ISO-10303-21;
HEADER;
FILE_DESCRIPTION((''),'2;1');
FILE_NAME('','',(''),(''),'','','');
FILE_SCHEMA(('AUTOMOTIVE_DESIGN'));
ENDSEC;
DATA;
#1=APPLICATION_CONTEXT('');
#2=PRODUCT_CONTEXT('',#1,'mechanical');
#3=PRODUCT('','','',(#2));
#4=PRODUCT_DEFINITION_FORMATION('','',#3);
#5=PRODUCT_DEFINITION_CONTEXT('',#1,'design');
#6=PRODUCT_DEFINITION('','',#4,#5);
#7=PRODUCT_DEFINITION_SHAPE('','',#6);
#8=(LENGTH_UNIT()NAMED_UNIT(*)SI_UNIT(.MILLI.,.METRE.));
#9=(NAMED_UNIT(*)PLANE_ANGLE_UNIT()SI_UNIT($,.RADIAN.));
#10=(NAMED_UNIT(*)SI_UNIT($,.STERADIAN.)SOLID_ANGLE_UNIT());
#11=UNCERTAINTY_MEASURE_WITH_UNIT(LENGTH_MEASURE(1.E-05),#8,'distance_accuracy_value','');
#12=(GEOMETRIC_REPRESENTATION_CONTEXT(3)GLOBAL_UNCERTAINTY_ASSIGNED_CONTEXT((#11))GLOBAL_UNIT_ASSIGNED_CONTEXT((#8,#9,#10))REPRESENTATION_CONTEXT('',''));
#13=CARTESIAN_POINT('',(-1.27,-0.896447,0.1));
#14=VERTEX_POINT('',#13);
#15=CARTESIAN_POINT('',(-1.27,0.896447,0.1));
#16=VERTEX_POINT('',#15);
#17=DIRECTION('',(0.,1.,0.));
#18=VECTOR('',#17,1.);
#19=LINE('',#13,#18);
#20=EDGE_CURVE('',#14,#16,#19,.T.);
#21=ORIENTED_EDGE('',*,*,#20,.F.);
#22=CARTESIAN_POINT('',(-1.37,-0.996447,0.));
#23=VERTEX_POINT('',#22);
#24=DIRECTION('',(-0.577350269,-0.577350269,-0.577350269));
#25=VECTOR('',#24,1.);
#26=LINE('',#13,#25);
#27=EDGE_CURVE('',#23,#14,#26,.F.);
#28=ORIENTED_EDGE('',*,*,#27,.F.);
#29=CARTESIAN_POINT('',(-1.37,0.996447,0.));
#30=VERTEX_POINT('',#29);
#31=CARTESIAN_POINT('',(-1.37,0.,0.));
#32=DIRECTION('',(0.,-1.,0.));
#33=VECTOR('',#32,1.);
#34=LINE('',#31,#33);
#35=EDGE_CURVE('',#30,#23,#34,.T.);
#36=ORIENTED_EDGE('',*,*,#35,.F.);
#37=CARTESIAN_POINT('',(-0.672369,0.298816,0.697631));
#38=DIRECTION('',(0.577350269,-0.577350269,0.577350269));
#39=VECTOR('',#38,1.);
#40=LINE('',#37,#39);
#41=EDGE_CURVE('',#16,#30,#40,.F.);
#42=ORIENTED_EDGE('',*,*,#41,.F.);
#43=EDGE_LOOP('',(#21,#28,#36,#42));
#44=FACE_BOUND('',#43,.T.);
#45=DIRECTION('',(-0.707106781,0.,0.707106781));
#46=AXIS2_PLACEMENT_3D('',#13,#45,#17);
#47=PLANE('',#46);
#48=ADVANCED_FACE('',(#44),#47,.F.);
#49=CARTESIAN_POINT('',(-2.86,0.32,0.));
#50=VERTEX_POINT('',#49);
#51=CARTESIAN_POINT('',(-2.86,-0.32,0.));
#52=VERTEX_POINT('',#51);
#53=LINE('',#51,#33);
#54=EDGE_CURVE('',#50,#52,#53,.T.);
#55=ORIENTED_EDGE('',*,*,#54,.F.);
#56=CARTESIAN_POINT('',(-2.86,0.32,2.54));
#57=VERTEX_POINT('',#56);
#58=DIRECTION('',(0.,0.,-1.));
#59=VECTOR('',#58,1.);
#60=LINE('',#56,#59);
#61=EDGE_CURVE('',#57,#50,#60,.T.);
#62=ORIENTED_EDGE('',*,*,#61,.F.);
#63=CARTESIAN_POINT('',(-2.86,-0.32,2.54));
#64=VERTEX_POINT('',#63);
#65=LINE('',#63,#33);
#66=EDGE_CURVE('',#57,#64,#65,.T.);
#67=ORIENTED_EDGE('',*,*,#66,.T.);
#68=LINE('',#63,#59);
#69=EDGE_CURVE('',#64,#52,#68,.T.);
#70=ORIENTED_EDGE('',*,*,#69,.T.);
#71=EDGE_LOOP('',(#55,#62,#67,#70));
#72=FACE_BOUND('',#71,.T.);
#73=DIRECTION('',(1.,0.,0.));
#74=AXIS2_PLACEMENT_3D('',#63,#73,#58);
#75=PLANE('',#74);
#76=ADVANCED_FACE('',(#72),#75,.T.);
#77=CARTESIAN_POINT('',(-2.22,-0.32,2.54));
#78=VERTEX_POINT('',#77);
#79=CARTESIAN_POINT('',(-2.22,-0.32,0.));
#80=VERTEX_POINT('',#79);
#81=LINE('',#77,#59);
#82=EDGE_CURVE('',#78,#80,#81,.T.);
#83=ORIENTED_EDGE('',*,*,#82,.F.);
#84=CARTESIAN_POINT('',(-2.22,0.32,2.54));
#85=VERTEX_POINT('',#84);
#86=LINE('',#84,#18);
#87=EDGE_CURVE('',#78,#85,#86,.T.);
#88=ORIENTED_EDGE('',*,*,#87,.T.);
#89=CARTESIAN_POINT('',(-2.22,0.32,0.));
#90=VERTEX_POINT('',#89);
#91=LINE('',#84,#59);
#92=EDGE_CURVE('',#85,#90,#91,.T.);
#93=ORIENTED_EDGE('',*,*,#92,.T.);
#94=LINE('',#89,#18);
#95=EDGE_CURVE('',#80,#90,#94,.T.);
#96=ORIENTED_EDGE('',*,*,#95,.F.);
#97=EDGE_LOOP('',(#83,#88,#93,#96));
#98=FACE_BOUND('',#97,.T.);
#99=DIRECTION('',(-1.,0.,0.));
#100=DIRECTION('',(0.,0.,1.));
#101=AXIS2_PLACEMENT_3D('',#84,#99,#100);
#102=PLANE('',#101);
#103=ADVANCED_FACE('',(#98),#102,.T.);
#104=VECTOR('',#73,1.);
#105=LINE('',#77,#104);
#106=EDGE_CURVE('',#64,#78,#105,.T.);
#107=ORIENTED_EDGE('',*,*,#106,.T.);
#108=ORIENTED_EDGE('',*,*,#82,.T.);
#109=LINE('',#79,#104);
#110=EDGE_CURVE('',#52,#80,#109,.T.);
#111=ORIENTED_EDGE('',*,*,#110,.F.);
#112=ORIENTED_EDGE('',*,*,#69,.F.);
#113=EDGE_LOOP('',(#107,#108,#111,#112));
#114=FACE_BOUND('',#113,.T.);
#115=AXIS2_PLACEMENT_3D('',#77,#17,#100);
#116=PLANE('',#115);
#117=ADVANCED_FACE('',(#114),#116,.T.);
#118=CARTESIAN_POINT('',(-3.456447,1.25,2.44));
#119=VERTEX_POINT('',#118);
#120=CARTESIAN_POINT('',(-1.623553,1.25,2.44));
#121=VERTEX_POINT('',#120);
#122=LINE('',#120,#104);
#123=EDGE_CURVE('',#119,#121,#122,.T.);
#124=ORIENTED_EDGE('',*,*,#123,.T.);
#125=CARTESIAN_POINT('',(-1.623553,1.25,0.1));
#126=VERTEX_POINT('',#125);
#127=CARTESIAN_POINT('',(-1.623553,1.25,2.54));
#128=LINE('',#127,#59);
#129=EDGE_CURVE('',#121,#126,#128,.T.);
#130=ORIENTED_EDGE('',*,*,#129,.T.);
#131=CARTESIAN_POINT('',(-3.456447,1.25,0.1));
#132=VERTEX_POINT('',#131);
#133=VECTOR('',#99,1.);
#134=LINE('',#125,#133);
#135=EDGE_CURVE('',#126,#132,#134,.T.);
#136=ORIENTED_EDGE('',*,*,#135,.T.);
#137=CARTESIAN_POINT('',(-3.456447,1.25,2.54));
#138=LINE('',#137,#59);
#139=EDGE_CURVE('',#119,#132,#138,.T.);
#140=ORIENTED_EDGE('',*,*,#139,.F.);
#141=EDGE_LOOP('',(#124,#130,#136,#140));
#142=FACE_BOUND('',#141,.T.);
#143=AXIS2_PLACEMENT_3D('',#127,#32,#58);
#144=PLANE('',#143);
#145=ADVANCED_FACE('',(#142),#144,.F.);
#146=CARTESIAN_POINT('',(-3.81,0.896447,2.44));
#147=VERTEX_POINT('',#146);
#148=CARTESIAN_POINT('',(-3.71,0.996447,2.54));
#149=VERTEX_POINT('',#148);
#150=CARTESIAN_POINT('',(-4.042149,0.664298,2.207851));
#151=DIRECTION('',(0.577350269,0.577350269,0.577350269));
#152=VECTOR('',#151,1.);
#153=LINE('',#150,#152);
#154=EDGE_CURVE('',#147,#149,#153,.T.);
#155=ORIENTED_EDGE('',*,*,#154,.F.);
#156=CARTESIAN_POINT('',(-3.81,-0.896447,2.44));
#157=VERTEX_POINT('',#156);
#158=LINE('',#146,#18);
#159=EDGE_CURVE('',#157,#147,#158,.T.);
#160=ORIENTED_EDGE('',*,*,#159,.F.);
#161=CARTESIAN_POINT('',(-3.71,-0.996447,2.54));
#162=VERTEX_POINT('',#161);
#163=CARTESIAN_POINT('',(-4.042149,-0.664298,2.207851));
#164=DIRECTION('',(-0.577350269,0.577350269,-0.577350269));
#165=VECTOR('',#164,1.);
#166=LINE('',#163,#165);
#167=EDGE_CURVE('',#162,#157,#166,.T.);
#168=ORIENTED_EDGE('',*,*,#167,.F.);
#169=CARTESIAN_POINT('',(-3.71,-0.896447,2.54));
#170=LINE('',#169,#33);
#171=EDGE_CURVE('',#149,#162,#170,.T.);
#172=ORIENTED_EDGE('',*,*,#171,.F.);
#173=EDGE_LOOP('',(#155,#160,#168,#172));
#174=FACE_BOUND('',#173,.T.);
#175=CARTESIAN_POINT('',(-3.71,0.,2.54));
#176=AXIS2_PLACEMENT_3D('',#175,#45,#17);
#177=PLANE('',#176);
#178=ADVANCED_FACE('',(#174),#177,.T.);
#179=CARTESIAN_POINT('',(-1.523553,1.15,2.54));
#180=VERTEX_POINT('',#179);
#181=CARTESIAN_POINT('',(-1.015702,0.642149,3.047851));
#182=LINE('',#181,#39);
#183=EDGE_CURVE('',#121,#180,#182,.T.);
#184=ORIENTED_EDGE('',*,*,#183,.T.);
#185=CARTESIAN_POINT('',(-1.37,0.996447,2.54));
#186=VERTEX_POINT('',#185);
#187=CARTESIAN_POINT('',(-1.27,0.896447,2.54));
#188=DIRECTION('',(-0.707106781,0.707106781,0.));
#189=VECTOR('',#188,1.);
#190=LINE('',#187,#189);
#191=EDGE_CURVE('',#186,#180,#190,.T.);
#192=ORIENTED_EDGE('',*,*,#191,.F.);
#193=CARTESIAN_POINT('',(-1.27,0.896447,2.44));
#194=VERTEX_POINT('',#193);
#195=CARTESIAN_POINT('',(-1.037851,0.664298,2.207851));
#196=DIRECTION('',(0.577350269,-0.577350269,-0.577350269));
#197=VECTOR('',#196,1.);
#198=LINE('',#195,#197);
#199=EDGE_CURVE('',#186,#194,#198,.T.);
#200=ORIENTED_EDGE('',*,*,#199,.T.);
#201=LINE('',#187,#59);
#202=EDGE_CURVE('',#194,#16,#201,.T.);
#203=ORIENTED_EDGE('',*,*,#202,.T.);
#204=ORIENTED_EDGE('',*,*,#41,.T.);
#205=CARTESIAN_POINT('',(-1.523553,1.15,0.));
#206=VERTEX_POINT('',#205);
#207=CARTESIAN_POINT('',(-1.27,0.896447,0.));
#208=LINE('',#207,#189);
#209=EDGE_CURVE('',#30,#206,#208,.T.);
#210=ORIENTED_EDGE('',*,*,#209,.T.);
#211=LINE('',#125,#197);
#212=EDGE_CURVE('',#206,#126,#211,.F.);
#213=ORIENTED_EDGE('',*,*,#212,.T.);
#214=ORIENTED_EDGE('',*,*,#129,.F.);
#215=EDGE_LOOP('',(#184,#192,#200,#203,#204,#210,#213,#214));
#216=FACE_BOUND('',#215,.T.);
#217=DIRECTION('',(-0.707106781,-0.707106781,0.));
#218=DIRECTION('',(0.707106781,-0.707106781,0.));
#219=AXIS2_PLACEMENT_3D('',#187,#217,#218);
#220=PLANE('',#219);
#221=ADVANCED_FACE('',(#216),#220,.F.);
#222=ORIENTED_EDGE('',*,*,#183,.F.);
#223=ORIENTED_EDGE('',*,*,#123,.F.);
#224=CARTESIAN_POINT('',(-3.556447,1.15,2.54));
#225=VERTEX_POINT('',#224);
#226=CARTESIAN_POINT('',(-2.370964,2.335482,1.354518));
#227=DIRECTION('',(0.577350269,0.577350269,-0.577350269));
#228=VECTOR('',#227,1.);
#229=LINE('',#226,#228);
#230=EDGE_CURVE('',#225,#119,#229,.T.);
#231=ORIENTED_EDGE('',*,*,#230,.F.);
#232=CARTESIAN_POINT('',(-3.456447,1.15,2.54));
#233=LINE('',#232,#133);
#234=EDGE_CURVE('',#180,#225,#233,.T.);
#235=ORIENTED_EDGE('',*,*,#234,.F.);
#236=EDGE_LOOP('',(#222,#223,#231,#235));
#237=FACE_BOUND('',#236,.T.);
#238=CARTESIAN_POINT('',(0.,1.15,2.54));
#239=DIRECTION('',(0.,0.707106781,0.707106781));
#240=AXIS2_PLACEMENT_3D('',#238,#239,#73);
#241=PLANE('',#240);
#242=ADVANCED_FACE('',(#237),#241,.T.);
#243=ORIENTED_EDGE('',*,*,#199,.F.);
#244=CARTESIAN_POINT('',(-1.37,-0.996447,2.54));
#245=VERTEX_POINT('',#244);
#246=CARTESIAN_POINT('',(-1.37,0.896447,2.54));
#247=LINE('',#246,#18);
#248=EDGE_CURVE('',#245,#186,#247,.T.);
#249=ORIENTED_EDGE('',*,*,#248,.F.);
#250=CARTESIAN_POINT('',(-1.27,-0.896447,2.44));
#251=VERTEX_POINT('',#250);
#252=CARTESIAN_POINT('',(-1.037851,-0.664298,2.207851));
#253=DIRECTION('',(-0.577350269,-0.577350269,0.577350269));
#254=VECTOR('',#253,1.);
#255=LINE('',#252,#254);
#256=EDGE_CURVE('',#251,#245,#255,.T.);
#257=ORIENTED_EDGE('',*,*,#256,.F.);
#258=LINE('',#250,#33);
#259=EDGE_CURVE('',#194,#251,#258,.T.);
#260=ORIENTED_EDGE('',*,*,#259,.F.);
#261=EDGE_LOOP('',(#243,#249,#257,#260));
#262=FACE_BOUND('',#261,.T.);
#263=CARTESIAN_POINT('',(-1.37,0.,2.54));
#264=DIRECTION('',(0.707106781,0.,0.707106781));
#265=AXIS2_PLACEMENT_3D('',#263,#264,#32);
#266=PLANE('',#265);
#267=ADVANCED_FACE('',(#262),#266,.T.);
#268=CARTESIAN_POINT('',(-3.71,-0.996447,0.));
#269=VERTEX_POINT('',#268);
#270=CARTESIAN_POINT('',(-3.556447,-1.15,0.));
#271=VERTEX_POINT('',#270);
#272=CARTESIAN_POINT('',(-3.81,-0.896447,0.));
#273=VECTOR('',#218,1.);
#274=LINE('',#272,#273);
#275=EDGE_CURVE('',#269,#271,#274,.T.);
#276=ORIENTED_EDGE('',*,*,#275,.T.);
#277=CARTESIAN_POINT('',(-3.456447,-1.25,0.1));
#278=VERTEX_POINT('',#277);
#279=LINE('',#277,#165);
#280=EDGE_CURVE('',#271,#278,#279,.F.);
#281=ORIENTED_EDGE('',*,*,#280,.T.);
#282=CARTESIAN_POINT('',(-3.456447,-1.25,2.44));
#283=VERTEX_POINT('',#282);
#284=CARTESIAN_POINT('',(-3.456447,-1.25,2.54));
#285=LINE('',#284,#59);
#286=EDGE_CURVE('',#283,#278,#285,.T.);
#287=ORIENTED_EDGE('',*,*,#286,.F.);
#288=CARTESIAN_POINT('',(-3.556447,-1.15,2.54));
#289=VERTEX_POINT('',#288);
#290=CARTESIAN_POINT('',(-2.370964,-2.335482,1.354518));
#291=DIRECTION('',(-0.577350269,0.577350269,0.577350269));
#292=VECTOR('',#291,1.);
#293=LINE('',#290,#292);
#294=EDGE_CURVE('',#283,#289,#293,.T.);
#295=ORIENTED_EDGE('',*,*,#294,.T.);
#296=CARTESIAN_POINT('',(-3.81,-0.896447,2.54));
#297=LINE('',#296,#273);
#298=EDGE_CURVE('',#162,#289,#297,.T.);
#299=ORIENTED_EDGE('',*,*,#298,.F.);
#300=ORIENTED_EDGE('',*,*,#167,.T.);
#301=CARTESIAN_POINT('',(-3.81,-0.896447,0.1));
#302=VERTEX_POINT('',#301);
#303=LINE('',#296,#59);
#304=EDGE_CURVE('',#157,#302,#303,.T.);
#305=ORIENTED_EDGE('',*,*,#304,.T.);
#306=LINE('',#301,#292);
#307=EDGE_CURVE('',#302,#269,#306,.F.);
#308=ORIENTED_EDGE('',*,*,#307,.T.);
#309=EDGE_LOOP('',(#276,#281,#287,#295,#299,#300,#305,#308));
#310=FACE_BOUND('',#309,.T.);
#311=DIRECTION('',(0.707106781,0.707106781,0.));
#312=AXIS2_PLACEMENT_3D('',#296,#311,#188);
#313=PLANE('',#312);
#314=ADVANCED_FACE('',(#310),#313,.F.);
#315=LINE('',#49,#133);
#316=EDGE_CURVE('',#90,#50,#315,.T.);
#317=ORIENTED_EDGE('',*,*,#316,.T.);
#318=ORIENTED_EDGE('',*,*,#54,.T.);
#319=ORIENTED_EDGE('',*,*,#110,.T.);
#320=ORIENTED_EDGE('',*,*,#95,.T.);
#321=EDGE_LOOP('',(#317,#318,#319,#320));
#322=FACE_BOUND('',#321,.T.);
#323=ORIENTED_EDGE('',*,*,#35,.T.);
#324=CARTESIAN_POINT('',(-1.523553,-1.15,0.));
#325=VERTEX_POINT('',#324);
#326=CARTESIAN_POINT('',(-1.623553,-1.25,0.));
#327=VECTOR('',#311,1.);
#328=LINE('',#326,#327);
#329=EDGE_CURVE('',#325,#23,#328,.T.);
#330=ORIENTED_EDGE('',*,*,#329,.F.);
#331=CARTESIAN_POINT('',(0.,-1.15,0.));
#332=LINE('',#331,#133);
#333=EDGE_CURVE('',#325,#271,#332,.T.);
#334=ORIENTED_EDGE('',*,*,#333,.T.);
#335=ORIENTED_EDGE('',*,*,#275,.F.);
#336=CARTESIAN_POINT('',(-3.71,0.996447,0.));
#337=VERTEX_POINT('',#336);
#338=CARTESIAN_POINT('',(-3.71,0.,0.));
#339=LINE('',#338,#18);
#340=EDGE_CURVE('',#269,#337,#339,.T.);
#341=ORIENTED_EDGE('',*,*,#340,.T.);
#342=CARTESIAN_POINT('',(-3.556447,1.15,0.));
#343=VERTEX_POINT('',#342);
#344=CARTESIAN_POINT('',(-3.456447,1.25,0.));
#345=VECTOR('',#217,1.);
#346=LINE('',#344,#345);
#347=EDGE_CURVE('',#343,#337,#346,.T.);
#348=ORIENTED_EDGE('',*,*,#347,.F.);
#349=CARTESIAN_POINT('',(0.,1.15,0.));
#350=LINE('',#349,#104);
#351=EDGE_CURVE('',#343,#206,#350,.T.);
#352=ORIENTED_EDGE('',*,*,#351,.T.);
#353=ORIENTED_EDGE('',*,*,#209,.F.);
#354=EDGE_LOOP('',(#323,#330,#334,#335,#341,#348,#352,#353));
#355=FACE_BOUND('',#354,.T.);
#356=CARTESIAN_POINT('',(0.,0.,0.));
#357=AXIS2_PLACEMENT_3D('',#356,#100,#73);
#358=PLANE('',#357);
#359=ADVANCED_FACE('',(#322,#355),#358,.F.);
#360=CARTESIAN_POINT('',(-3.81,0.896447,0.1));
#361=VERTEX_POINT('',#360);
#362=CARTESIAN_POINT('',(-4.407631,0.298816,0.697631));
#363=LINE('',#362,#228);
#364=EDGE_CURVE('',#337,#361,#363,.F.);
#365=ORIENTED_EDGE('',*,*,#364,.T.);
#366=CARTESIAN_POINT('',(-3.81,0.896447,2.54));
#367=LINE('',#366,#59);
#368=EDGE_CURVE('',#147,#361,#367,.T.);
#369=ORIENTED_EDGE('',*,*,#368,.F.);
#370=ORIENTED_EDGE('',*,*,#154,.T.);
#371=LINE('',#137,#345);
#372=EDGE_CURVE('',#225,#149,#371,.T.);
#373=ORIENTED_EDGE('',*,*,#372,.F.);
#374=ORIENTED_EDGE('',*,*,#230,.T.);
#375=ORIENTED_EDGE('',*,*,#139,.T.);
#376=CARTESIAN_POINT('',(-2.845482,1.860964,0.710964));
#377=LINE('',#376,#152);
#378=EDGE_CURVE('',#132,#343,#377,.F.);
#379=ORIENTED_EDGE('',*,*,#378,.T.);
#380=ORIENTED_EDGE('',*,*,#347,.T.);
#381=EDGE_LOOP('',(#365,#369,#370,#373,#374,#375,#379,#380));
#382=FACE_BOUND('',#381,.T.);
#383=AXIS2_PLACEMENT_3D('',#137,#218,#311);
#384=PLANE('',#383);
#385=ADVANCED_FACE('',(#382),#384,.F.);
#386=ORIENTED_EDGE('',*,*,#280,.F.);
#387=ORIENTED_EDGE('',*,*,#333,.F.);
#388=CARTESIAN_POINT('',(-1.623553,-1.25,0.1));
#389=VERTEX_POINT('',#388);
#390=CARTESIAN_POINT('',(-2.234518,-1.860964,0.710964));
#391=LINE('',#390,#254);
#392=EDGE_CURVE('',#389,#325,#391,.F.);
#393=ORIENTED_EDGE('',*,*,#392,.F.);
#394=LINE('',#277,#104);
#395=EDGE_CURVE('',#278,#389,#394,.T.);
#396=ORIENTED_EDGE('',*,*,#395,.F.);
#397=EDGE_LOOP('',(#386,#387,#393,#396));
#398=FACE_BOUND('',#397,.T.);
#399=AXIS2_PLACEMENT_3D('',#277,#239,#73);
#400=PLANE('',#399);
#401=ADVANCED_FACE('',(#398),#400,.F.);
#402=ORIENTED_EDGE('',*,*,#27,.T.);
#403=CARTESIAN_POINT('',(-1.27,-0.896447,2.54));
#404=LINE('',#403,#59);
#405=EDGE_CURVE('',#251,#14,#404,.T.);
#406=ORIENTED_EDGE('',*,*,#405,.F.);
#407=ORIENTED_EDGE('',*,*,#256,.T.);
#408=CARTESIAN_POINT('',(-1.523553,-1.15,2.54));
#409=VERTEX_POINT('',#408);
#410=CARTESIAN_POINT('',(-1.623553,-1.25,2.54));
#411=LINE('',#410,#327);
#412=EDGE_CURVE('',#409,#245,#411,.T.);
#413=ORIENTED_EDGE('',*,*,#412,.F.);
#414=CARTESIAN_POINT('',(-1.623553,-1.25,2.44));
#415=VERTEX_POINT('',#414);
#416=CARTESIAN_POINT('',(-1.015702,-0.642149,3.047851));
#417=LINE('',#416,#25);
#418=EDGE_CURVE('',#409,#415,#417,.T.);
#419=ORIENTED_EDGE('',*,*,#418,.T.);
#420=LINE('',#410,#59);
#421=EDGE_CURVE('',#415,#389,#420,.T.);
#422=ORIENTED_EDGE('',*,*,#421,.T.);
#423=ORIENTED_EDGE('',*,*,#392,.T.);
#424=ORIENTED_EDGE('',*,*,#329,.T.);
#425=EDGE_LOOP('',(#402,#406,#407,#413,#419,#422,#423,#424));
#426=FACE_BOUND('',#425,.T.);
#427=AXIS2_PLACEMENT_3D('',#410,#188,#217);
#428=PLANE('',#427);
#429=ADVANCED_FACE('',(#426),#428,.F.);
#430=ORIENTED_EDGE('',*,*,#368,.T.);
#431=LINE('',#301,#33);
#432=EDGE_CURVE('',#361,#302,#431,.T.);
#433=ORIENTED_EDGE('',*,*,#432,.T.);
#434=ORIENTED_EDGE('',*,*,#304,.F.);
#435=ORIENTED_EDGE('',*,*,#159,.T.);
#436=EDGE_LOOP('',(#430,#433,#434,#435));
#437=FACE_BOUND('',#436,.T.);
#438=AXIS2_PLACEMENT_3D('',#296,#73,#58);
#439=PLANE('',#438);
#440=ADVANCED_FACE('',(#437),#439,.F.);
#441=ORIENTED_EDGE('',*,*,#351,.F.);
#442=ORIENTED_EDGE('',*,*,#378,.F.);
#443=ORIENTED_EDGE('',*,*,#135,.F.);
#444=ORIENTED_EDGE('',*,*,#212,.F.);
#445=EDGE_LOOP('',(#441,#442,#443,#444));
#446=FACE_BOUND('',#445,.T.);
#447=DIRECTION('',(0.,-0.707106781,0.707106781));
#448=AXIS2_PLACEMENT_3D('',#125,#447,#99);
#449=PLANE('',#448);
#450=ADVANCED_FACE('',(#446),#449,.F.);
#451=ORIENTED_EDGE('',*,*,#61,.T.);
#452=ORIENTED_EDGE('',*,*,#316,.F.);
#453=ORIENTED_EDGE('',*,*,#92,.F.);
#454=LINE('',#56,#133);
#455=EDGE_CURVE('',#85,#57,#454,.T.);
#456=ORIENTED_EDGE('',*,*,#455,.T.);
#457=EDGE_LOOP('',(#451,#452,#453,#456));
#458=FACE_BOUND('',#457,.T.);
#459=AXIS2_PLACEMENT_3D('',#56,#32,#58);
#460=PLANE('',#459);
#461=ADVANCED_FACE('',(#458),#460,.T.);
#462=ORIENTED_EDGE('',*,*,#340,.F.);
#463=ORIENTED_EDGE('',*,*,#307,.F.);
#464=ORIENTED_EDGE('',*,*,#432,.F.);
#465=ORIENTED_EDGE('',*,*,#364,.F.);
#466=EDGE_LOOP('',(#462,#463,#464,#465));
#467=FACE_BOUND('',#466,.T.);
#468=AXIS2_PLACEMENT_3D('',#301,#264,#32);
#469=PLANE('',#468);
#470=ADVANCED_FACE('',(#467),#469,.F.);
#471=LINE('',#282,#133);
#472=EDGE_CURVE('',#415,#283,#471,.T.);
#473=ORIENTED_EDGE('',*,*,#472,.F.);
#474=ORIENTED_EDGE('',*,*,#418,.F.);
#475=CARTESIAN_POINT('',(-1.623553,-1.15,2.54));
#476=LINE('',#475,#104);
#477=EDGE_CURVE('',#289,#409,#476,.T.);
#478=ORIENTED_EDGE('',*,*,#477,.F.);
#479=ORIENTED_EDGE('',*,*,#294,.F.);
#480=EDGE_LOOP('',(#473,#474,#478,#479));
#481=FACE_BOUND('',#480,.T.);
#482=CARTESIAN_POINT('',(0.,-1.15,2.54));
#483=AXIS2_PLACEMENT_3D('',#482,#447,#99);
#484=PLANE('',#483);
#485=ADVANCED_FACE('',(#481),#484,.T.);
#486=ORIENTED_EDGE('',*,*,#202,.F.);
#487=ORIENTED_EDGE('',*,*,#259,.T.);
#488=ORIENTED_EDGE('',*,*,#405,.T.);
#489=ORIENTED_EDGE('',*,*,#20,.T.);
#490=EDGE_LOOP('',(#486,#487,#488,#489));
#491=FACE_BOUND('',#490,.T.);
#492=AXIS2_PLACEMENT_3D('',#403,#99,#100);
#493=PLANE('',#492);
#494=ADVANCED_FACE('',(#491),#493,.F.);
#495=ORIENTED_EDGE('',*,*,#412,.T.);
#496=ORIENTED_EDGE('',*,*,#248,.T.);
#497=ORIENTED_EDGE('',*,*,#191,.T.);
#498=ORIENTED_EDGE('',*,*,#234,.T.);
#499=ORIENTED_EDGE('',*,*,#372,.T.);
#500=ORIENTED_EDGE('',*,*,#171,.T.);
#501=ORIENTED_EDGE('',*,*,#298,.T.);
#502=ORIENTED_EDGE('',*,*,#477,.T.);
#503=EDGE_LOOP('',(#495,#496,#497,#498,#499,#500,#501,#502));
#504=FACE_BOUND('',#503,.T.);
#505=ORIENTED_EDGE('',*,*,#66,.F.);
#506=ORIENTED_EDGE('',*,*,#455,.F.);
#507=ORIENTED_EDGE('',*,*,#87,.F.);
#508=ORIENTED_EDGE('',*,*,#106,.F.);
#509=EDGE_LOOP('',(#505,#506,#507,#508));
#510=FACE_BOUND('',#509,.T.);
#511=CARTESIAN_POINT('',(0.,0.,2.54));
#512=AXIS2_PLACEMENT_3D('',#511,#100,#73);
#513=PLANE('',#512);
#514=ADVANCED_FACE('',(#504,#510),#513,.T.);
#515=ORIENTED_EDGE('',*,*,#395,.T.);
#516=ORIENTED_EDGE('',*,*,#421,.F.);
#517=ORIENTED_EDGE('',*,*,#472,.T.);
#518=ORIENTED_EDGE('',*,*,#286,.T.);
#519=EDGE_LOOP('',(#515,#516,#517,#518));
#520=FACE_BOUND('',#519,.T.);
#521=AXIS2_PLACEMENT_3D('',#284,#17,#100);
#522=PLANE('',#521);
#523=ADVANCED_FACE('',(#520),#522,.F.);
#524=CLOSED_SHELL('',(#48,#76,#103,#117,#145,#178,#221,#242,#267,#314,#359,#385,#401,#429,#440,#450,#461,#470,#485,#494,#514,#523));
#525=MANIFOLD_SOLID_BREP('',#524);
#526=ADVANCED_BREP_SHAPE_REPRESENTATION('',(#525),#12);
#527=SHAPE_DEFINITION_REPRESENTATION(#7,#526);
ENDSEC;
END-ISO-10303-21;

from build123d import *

# Parameters (mm, degrees)
MODEL_W         = 0.64
MODEL_H         = 0.64
EXTRUDE_1_DEPTH = 2.54
CHAMFER_1_SIZE  = 0.1


with BuildPart() as part:
    # Model → Бобышка-Вытянуть1 (new body)
    with BuildSketch(Plane.XY):
        Polygon((-1.27, -0.896446609), (-1.27, 0.896446609), (-1.623553391, 1.25), (-3.456446609, 1.25), (-3.81, 0.896446609), (-3.81, -0.896446609), (-3.456446609, -1.25), (-1.623553391, -1.25), align=None)
        with Locations((-2.54, 0)):
            Rectangle(MODEL_W, MODEL_H, mode=Mode.SUBTRACT)
    extrude(amount=EXTRUDE_1_DEPTH)

    # Фаска1
    chamfer_1_edges = [part.edges().sort_by_distance(p)[0] for p in [
        (-1.27, 0, 0),
        (-2.54, 1.25, 2.54),
        (-3.81, 0, 2.54),
        (-2.54, -1.25, 2.54),
        (-1.27, 0, 2.54),
        (-2.54, -1.25, 0),
        (-3.81, 0, 0),
        (-2.54, 1.25, 0),
    ]]
    chamfer(chamfer_1_edges, length=CHAMFER_1_SIZE)


solid = part.part
